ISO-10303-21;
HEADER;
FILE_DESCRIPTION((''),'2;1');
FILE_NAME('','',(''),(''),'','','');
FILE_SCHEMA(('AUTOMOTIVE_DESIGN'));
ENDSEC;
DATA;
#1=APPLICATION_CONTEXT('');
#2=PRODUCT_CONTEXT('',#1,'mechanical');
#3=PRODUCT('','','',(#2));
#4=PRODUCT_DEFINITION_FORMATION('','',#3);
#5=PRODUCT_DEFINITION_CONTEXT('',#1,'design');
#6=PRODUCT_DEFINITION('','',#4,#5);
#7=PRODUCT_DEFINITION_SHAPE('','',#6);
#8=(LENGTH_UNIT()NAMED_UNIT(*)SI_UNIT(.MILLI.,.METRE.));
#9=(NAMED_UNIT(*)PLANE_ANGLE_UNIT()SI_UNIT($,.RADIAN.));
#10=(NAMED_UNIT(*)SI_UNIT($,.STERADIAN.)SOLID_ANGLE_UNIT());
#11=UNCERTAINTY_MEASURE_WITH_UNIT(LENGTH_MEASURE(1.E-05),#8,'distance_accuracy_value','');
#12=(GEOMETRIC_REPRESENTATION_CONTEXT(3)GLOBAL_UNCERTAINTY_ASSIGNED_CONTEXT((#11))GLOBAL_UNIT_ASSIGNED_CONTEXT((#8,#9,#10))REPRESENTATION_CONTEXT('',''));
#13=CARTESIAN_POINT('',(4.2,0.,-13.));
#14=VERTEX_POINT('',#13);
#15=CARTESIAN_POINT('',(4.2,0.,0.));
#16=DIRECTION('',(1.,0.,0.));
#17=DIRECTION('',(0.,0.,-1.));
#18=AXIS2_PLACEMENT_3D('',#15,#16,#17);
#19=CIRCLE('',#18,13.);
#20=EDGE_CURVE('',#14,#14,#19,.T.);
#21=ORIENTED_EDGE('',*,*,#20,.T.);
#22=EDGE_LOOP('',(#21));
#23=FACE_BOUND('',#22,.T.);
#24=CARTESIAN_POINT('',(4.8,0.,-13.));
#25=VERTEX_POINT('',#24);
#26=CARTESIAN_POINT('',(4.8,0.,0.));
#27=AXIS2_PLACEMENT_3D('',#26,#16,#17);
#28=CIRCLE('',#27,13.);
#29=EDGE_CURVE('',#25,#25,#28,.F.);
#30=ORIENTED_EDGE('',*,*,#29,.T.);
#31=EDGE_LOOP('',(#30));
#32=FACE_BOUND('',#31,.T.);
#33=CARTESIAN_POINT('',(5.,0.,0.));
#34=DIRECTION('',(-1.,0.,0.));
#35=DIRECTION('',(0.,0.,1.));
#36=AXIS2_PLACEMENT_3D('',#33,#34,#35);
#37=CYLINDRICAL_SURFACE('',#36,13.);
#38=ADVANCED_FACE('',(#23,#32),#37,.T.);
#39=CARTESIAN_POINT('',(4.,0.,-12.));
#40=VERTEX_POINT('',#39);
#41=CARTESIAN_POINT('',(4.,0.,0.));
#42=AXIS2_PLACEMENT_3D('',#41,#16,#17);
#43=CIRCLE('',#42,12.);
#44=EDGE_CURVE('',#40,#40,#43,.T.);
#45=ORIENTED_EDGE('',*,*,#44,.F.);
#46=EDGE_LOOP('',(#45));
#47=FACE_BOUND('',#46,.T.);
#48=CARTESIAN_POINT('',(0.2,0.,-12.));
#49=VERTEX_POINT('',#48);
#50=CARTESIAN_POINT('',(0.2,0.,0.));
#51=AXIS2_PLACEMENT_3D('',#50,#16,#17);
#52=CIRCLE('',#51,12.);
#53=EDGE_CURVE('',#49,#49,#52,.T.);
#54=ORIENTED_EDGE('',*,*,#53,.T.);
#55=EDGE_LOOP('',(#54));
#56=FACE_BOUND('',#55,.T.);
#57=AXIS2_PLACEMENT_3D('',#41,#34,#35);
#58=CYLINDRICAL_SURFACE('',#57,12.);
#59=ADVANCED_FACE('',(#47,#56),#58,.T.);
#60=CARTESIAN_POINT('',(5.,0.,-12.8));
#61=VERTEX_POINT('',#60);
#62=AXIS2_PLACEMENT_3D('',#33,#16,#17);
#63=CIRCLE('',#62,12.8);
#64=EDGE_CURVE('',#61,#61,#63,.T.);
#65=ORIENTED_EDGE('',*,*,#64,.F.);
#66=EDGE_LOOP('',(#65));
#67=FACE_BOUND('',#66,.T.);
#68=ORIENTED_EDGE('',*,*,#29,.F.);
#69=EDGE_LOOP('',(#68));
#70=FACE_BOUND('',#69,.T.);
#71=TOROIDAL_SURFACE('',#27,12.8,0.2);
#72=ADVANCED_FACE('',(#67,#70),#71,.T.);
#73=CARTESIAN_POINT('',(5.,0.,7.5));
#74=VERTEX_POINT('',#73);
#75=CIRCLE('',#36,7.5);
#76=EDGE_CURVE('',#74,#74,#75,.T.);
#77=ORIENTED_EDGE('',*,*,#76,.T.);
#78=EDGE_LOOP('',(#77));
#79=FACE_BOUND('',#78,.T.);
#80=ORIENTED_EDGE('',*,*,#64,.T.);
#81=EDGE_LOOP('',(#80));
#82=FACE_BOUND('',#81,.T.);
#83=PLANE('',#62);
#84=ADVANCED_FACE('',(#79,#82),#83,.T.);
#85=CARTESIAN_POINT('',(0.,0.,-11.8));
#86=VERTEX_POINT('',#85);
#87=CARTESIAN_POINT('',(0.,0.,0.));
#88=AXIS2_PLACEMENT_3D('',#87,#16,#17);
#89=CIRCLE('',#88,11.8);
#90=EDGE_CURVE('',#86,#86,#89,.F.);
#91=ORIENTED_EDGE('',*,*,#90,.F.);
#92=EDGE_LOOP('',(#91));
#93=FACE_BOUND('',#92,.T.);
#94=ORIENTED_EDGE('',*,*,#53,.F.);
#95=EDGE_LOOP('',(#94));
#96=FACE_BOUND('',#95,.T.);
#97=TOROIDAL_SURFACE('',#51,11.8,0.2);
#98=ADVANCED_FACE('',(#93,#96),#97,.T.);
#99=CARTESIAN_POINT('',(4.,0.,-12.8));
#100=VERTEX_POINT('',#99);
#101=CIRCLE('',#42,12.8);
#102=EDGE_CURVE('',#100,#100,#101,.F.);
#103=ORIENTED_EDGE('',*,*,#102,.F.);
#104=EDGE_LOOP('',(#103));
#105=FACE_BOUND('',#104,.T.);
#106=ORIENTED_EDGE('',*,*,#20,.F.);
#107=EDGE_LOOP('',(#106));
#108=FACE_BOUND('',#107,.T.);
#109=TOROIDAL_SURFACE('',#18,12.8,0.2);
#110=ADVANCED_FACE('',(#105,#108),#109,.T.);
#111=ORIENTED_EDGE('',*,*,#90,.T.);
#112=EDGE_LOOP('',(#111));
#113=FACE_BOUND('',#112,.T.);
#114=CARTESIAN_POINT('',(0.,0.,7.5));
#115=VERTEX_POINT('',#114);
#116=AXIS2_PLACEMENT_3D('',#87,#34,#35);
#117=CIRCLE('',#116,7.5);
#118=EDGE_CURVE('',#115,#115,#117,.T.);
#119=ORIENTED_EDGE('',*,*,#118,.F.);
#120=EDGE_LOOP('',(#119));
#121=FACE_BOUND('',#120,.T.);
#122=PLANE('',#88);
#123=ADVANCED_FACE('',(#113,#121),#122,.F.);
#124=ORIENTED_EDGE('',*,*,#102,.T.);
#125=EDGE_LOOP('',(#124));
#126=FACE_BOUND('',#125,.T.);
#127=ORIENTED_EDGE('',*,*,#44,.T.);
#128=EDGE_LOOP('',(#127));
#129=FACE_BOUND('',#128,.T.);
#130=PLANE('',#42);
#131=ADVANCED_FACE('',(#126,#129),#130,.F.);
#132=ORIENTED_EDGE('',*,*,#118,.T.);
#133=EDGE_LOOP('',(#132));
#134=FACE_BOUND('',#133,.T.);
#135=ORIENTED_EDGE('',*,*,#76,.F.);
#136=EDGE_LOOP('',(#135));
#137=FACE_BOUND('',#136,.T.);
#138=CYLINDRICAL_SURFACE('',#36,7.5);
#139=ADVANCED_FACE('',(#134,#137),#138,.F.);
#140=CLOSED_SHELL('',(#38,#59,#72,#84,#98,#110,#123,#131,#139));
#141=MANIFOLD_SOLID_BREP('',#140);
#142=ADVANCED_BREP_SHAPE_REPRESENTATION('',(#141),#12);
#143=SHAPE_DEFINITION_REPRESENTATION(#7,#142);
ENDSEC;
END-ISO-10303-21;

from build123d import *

# Parameters (mm, degrees)
SKETCH_1_R          = 12
EXTRUDE_1_DEPTH     = 4
SKETCH_2_R          = 13
EXTRUDE_2_DEPTH     = 1
SKETCH_3_R          = 7.5
CUT_EXTRUDE_1_DEPTH = 6
FILLET_1_R          = 0.2


with BuildPart() as part:
    # 草图1 → 凸台-拉伸1 (new body)
    with BuildSketch(Plane(origin=(0, 0, 0), x_dir=(0, 0, -1), z_dir=(1, 0, 0))):
        Circle(SKETCH_1_R)
    extrude(amount=EXTRUDE_1_DEPTH)

    # 草图2 → 凸台-拉伸2 (add)
    with BuildSketch(Plane(origin=(4, 0, 0), x_dir=(0, 0, -1), z_dir=(1, 0, 0))):
        Circle(SKETCH_2_R)
    extrude(amount=EXTRUDE_2_DEPTH)

    # 草图3 → 切除-拉伸1 (cut, through all)
    with BuildSketch(Plane.ZY):
        Circle(SKETCH_3_R)
    extrude(amount=-CUT_EXTRUDE_1_DEPTH, mode=Mode.SUBTRACT)

    # 圆角1
    fillet_1_edges = [part.edges().sort_by_distance(p)[0] for p in [
        (0, 0, 12),
        (4, 0, 13),
        (5, 0, 13),
    ]]
    fillet(fillet_1_edges, radius=FILLET_1_R)


solid = part.part
